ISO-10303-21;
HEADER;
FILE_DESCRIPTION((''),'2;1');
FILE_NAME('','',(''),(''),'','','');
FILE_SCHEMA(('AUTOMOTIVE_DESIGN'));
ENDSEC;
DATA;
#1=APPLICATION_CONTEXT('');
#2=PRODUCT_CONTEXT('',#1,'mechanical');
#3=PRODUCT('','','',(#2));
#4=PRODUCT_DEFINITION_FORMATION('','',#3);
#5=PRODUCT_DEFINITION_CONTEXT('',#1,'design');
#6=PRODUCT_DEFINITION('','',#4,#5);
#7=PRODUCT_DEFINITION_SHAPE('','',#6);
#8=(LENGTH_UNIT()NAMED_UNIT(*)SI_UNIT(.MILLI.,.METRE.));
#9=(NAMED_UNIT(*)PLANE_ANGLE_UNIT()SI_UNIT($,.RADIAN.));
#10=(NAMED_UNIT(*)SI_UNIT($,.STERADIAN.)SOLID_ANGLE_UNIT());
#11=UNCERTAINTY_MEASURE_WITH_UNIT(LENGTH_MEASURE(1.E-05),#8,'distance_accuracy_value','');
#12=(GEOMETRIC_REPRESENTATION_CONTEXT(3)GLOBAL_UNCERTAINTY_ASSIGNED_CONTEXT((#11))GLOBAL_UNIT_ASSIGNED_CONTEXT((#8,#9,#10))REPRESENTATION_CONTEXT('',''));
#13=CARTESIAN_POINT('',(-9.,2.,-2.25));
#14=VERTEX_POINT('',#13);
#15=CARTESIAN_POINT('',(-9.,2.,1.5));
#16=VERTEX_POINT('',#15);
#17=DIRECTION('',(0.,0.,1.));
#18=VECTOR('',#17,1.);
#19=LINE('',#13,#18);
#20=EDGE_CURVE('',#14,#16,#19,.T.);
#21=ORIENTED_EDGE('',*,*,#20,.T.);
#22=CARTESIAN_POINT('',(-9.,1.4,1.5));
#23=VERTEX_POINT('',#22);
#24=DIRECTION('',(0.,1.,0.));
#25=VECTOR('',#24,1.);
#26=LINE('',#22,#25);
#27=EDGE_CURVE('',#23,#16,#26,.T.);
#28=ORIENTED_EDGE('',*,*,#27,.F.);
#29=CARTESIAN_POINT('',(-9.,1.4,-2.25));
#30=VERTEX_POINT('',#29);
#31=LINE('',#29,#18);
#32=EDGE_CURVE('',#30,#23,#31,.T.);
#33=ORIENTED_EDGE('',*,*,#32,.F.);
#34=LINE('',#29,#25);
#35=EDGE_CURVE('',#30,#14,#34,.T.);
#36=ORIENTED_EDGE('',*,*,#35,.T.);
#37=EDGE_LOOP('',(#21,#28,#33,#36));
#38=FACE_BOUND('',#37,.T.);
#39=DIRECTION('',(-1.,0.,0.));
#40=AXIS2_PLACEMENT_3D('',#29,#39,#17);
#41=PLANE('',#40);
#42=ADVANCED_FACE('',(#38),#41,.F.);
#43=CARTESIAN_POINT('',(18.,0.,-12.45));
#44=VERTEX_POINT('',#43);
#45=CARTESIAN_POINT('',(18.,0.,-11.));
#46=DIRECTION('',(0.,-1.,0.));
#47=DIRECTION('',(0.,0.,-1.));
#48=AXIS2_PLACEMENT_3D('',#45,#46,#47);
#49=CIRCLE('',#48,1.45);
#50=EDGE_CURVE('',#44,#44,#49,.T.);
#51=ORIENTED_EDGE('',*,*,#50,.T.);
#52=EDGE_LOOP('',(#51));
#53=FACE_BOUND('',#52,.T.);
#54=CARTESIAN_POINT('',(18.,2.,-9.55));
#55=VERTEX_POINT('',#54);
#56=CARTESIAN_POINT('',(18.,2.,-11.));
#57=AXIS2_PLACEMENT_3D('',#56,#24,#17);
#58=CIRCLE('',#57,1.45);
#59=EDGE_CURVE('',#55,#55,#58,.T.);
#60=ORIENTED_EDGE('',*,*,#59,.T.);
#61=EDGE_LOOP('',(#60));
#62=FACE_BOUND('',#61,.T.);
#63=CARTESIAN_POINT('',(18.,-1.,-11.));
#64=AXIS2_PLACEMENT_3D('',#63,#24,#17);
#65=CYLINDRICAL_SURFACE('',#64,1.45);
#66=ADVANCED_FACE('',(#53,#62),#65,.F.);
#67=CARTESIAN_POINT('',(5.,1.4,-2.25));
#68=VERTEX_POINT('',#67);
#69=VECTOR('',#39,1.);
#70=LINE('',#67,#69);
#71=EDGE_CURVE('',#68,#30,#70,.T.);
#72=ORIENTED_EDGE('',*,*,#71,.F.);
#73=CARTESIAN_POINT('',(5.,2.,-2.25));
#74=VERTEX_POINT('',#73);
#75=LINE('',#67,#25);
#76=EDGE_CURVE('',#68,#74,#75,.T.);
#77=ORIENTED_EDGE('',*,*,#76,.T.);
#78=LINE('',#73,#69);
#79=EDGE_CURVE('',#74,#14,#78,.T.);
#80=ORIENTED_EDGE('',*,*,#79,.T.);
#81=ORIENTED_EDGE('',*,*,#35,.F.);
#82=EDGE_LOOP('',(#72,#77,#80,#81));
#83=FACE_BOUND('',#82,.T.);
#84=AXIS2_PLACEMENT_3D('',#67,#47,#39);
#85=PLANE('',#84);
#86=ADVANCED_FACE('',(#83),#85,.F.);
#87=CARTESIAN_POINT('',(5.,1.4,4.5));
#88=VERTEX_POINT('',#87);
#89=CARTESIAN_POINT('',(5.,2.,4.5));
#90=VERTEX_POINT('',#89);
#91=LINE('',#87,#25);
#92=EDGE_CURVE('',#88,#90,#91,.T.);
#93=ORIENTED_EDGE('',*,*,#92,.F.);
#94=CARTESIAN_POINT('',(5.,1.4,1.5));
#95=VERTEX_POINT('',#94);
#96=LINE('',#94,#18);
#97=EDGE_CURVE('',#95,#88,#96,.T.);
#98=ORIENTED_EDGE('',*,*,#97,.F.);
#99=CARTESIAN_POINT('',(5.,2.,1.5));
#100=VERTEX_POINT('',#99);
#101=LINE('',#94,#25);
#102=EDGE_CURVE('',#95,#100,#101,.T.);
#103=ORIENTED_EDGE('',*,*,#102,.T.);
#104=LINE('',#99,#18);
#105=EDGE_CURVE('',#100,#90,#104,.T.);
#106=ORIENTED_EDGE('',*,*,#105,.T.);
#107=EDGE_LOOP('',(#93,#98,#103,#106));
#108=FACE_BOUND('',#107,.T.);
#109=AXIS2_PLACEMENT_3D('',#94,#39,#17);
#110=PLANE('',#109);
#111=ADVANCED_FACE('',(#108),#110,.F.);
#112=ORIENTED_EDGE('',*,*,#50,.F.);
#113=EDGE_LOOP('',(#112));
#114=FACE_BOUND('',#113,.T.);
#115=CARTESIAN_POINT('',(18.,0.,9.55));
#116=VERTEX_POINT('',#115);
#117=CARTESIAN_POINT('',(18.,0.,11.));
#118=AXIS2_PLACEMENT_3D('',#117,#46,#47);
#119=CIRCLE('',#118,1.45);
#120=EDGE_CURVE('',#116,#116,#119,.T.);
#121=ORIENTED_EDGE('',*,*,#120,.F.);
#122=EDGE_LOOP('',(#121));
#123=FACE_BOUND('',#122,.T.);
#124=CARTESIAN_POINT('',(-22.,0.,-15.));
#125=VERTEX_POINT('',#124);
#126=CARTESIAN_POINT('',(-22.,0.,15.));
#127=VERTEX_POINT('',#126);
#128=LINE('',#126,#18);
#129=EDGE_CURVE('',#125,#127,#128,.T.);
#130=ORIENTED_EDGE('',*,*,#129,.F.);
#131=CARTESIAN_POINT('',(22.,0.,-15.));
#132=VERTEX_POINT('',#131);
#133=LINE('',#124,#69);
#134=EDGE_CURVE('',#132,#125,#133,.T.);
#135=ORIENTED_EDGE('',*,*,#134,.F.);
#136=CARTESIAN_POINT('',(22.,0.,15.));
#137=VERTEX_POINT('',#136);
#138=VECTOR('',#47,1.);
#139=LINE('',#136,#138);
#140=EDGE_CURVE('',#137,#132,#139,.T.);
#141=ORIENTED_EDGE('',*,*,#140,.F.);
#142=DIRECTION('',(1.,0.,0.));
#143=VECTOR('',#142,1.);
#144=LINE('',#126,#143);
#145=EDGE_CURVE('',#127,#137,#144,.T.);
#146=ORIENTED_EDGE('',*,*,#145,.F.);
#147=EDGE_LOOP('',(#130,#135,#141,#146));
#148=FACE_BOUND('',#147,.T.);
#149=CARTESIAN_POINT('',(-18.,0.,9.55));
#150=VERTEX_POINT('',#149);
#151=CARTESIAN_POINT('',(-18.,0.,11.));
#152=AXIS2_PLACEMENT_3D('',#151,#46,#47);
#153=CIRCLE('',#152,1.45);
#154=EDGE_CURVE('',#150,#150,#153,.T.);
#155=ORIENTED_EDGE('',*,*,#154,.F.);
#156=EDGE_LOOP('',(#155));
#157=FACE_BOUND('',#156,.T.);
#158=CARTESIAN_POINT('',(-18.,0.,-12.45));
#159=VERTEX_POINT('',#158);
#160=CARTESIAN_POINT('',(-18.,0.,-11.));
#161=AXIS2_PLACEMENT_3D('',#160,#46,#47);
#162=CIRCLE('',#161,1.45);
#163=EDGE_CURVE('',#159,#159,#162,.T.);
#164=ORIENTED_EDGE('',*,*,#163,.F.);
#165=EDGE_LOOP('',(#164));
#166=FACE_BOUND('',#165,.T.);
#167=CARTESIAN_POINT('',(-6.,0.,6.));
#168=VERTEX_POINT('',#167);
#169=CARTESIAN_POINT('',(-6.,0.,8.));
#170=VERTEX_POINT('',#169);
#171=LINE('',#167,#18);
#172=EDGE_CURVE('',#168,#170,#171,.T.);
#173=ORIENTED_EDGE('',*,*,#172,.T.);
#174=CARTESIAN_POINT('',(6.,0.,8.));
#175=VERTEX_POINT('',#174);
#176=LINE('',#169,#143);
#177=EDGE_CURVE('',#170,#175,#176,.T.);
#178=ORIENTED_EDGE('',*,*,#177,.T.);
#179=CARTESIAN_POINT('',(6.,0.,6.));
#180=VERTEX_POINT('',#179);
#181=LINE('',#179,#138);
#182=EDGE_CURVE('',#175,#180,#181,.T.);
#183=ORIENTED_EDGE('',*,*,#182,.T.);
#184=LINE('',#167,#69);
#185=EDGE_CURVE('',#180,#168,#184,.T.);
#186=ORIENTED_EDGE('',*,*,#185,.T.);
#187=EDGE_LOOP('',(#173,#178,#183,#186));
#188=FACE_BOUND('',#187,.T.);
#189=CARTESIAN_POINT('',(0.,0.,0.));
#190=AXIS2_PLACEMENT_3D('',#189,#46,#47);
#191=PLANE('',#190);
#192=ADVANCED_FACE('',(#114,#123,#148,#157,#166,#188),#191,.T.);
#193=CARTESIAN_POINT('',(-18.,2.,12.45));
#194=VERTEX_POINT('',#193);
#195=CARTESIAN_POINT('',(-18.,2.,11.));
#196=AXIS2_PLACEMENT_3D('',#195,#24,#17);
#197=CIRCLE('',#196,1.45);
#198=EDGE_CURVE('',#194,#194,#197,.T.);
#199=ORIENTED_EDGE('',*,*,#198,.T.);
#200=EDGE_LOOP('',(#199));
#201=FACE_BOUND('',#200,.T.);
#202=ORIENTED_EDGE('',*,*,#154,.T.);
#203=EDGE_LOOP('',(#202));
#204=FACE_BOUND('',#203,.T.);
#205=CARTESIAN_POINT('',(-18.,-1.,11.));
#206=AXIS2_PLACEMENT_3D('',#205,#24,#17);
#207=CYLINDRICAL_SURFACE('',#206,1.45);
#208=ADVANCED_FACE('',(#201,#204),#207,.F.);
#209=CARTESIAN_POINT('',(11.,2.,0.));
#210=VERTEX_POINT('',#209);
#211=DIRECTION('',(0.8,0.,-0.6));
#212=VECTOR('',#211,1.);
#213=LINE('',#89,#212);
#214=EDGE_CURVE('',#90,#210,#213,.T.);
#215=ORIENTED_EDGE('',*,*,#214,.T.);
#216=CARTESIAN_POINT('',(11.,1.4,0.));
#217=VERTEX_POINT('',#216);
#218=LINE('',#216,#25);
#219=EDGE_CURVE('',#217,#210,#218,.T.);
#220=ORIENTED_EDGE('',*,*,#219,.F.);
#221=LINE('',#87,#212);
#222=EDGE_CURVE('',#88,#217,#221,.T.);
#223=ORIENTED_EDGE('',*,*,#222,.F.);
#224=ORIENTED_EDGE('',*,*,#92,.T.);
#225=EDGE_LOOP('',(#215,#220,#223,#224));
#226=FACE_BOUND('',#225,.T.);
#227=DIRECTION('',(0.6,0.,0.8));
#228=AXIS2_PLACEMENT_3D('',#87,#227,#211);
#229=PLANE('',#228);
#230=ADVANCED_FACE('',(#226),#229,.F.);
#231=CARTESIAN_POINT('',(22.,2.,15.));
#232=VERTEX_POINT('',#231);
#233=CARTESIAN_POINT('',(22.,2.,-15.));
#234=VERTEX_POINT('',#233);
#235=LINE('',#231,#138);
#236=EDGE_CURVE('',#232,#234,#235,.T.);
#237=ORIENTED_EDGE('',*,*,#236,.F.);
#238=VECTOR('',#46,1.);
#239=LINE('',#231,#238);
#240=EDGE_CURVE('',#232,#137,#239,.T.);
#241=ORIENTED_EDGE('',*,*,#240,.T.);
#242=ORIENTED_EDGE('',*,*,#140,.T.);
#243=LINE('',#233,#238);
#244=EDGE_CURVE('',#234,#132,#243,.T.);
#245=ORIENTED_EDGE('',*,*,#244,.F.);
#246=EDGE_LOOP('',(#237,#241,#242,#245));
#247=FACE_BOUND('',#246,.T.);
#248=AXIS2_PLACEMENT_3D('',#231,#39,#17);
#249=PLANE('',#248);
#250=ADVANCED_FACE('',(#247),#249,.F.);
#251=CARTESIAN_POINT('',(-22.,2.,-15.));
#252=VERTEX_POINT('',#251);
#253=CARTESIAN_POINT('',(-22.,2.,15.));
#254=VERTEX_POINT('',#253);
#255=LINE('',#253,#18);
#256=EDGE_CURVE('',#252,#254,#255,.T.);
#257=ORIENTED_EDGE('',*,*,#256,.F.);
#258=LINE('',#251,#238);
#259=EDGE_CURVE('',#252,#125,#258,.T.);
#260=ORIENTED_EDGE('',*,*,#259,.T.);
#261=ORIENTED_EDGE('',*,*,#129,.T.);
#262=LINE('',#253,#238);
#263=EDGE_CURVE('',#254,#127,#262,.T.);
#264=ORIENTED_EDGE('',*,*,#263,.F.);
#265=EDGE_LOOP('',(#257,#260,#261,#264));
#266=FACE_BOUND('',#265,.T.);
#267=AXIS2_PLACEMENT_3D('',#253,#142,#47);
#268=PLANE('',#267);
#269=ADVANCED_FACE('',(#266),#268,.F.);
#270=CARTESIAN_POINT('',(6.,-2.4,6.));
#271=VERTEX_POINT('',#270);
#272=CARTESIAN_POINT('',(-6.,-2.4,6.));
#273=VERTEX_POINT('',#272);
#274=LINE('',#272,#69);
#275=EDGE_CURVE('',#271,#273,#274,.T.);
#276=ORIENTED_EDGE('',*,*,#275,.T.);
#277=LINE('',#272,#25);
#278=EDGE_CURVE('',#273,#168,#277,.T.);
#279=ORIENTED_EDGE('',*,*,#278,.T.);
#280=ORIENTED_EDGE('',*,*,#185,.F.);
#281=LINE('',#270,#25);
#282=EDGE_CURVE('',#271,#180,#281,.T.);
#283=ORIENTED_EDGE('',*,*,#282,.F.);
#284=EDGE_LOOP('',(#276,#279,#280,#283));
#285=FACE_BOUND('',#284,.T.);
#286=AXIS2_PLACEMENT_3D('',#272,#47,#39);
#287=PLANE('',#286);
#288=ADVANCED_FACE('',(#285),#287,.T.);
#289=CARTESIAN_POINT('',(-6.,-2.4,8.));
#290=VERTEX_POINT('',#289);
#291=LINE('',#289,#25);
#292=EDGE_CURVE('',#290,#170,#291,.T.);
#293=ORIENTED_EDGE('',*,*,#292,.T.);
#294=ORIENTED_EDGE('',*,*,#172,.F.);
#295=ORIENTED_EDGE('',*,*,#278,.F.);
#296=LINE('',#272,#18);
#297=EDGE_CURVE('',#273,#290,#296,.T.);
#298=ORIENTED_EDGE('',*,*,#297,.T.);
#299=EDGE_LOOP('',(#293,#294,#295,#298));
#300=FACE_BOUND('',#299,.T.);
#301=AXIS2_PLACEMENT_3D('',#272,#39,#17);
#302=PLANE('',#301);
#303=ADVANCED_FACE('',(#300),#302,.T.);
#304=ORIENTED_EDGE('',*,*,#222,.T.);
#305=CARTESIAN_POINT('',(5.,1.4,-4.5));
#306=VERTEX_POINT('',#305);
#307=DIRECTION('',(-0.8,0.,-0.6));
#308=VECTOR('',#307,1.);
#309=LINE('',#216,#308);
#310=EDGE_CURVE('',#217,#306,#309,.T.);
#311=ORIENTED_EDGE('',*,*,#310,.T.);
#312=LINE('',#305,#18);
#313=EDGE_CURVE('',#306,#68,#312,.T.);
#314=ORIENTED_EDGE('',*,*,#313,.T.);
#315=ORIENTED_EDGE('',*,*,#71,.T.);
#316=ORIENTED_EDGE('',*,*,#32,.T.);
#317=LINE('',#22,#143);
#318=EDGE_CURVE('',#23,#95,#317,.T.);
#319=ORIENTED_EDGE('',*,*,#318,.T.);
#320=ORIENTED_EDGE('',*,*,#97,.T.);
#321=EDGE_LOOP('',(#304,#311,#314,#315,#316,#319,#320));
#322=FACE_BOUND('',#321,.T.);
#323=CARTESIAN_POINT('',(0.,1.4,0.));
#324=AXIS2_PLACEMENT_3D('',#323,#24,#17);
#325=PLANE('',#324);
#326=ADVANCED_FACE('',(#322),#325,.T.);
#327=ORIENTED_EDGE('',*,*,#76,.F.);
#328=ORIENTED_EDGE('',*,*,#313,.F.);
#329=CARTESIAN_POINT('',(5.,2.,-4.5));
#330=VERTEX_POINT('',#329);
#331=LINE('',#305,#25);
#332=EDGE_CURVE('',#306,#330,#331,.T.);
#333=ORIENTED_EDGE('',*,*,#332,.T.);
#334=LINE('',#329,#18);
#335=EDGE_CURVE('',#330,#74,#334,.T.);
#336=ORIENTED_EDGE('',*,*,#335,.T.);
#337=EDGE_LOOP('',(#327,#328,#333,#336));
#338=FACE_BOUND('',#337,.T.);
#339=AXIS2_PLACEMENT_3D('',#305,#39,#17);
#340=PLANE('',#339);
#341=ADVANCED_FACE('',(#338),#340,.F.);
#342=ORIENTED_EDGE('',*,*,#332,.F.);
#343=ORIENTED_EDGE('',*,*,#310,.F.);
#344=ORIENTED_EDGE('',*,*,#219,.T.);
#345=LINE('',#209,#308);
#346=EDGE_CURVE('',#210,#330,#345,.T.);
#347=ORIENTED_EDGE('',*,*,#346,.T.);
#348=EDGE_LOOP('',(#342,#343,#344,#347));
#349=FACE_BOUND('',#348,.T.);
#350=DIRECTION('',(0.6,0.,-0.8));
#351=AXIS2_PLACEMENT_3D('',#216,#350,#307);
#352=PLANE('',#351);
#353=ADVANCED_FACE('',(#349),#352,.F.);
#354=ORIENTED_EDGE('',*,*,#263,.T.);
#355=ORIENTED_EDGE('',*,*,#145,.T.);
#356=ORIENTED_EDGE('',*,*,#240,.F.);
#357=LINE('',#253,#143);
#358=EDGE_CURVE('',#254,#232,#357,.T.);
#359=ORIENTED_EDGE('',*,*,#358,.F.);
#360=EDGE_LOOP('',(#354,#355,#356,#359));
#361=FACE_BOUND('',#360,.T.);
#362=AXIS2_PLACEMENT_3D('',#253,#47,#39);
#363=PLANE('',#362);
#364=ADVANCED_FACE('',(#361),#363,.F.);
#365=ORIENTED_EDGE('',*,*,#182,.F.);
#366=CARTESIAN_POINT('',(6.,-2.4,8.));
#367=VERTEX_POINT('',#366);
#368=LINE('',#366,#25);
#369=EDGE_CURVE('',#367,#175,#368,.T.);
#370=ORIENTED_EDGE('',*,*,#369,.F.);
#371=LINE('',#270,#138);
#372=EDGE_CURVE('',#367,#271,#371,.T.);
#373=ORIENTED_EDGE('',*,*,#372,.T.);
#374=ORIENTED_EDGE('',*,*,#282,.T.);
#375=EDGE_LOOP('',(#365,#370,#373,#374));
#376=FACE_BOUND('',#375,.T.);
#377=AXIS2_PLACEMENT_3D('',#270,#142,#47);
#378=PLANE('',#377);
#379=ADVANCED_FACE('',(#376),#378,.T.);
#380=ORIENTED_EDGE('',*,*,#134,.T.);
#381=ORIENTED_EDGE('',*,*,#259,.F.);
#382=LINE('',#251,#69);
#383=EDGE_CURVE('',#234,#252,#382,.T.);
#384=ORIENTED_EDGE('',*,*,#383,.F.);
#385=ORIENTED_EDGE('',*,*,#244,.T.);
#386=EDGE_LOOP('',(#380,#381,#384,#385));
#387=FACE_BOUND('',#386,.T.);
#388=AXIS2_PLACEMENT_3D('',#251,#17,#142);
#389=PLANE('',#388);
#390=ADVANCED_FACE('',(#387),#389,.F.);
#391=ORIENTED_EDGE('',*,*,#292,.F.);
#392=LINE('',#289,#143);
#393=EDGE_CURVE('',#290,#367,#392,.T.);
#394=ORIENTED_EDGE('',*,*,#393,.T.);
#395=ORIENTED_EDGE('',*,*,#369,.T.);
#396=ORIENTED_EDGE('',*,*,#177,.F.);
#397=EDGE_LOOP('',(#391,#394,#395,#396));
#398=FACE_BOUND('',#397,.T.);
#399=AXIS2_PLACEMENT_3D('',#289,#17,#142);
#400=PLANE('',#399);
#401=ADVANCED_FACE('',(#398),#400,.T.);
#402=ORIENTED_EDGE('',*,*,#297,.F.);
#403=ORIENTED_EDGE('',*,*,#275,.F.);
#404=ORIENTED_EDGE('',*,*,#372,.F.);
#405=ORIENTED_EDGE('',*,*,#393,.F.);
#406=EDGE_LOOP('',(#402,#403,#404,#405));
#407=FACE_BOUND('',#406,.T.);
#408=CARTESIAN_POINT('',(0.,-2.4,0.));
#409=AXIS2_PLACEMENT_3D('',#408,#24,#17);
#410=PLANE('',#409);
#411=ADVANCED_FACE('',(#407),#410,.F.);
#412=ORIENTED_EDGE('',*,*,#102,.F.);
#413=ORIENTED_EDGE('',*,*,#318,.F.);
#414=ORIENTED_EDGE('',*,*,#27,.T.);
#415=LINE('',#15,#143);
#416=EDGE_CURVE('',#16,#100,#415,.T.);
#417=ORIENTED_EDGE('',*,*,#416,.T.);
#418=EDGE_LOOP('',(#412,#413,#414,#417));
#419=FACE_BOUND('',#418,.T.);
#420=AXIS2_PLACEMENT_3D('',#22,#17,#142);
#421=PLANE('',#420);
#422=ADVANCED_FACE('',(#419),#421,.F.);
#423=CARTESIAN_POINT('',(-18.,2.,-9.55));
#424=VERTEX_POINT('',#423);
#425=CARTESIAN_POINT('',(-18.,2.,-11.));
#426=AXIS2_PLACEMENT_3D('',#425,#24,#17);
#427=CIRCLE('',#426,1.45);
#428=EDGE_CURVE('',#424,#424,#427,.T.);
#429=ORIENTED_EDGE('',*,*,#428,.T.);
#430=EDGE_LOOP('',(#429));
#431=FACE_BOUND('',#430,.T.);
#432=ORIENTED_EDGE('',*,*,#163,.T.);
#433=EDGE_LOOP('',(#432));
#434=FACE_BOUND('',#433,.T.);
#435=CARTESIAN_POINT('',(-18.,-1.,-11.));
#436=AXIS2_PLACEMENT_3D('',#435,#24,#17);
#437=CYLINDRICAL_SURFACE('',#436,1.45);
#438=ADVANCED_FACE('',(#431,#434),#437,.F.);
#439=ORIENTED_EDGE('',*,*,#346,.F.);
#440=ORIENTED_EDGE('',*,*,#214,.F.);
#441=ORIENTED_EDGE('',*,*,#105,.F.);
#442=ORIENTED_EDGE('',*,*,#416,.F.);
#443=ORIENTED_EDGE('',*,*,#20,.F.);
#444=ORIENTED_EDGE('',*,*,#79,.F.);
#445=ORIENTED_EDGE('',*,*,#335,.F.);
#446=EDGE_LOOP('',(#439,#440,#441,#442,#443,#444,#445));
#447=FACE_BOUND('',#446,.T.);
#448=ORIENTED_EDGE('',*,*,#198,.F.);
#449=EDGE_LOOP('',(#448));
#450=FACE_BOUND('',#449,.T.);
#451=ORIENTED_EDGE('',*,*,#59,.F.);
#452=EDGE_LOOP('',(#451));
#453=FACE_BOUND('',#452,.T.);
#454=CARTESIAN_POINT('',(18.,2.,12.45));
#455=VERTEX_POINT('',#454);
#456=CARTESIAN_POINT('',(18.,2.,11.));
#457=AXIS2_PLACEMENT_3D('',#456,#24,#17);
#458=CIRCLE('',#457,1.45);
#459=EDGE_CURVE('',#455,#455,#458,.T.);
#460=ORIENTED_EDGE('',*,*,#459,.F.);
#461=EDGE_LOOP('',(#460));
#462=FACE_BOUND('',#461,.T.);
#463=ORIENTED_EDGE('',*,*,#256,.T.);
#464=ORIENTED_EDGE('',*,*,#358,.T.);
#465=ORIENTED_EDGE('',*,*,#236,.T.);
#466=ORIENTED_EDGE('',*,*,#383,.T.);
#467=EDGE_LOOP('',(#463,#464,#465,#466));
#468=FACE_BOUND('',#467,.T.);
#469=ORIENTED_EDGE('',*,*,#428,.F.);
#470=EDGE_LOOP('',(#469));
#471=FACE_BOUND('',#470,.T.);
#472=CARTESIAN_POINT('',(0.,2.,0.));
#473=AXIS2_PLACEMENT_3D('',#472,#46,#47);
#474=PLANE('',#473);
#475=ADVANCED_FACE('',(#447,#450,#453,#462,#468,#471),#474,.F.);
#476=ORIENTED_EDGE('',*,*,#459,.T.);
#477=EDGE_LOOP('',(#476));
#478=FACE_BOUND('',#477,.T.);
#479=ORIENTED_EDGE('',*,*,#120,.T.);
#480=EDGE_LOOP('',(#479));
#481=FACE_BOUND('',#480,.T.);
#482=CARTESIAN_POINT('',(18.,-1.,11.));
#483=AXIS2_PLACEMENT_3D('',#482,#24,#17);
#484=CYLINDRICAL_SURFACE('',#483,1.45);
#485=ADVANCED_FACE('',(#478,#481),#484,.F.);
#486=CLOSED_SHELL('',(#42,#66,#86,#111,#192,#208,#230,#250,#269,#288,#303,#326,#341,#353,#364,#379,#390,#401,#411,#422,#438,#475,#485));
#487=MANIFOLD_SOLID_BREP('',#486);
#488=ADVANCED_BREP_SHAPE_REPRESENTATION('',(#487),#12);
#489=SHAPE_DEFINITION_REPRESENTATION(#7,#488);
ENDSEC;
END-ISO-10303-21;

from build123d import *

# Parameters (mm, degrees)
SKETCH1_W                 = 44
SKETCH1_H                 = 30
LID_PLATE_DEPTH           = 2
SKETCH2_R                 = 1.45
CLEARANCE_HOLES_DEPTH     = 3
FORWARD_ARROW_X_DEPTH     = 0.6
SKETCH4_W                 = 12
SKETCH4_H                 = 2
BOARD_HOLD_DOWN_RIB_DEPTH = 2.4


with BuildPart() as part:
    # Sketch1 → Lid Plate (new body)
    with BuildSketch(Plane(origin=(0, 0, 0), x_dir=(1, 0, 0), z_dir=(0, 1, 0))):
        Rectangle(SKETCH1_W, SKETCH1_H)
    extrude(amount=LID_PLATE_DEPTH)

    # Sketch2 → Clearance Holes (cut)
    with BuildSketch(Plane(origin=(0, 2, 0), x_dir=(1, 0, 0), z_dir=(0, 1, 0))):
        with Locations(Location((-18, -11, 0), (0, 0, 270))):
            Circle(SKETCH2_R)
        with Locations(Location((-18, 11, 0), (0, 0, 270))):
            Circle(SKETCH2_R)
        with Locations(Location((18, -11, 0), (0, 0, 270))):
            Circle(SKETCH2_R)
        with Locations(Location((18, 11, 0), (0, 0, 270))):
            Circle(SKETCH2_R)
    extrude(amount=-CLEARANCE_HOLES_DEPTH, mode=Mode.SUBTRACT)

    # Sketch3 → Forward Arrow (+X) (cut)
    with BuildSketch(Plane(origin=(0, 2, 0), x_dir=(1, 0, 0), z_dir=(0, 1, 0))):
        Polygon((-9, -1.5), (5, -1.5), (5, -4.5), (11, 0), (5, 4.5), (5, 2.25), (-9, 2.25), align=None)
    extrude(amount=-FORWARD_ARROW_X_DEPTH, mode=Mode.SUBTRACT)

    # Sketch4 → Board Hold-Down Rib (add)
    with BuildSketch(Plane(origin=(0, 0, 0), x_dir=(1, 0, 0), z_dir=(0, 1, 0))):
        with Locations((0, -7)):
            Rectangle(SKETCH4_W, SKETCH4_H)
    extrude(amount=-BOARD_HOLD_DOWN_RIB_DEPTH)


solid = part.part
